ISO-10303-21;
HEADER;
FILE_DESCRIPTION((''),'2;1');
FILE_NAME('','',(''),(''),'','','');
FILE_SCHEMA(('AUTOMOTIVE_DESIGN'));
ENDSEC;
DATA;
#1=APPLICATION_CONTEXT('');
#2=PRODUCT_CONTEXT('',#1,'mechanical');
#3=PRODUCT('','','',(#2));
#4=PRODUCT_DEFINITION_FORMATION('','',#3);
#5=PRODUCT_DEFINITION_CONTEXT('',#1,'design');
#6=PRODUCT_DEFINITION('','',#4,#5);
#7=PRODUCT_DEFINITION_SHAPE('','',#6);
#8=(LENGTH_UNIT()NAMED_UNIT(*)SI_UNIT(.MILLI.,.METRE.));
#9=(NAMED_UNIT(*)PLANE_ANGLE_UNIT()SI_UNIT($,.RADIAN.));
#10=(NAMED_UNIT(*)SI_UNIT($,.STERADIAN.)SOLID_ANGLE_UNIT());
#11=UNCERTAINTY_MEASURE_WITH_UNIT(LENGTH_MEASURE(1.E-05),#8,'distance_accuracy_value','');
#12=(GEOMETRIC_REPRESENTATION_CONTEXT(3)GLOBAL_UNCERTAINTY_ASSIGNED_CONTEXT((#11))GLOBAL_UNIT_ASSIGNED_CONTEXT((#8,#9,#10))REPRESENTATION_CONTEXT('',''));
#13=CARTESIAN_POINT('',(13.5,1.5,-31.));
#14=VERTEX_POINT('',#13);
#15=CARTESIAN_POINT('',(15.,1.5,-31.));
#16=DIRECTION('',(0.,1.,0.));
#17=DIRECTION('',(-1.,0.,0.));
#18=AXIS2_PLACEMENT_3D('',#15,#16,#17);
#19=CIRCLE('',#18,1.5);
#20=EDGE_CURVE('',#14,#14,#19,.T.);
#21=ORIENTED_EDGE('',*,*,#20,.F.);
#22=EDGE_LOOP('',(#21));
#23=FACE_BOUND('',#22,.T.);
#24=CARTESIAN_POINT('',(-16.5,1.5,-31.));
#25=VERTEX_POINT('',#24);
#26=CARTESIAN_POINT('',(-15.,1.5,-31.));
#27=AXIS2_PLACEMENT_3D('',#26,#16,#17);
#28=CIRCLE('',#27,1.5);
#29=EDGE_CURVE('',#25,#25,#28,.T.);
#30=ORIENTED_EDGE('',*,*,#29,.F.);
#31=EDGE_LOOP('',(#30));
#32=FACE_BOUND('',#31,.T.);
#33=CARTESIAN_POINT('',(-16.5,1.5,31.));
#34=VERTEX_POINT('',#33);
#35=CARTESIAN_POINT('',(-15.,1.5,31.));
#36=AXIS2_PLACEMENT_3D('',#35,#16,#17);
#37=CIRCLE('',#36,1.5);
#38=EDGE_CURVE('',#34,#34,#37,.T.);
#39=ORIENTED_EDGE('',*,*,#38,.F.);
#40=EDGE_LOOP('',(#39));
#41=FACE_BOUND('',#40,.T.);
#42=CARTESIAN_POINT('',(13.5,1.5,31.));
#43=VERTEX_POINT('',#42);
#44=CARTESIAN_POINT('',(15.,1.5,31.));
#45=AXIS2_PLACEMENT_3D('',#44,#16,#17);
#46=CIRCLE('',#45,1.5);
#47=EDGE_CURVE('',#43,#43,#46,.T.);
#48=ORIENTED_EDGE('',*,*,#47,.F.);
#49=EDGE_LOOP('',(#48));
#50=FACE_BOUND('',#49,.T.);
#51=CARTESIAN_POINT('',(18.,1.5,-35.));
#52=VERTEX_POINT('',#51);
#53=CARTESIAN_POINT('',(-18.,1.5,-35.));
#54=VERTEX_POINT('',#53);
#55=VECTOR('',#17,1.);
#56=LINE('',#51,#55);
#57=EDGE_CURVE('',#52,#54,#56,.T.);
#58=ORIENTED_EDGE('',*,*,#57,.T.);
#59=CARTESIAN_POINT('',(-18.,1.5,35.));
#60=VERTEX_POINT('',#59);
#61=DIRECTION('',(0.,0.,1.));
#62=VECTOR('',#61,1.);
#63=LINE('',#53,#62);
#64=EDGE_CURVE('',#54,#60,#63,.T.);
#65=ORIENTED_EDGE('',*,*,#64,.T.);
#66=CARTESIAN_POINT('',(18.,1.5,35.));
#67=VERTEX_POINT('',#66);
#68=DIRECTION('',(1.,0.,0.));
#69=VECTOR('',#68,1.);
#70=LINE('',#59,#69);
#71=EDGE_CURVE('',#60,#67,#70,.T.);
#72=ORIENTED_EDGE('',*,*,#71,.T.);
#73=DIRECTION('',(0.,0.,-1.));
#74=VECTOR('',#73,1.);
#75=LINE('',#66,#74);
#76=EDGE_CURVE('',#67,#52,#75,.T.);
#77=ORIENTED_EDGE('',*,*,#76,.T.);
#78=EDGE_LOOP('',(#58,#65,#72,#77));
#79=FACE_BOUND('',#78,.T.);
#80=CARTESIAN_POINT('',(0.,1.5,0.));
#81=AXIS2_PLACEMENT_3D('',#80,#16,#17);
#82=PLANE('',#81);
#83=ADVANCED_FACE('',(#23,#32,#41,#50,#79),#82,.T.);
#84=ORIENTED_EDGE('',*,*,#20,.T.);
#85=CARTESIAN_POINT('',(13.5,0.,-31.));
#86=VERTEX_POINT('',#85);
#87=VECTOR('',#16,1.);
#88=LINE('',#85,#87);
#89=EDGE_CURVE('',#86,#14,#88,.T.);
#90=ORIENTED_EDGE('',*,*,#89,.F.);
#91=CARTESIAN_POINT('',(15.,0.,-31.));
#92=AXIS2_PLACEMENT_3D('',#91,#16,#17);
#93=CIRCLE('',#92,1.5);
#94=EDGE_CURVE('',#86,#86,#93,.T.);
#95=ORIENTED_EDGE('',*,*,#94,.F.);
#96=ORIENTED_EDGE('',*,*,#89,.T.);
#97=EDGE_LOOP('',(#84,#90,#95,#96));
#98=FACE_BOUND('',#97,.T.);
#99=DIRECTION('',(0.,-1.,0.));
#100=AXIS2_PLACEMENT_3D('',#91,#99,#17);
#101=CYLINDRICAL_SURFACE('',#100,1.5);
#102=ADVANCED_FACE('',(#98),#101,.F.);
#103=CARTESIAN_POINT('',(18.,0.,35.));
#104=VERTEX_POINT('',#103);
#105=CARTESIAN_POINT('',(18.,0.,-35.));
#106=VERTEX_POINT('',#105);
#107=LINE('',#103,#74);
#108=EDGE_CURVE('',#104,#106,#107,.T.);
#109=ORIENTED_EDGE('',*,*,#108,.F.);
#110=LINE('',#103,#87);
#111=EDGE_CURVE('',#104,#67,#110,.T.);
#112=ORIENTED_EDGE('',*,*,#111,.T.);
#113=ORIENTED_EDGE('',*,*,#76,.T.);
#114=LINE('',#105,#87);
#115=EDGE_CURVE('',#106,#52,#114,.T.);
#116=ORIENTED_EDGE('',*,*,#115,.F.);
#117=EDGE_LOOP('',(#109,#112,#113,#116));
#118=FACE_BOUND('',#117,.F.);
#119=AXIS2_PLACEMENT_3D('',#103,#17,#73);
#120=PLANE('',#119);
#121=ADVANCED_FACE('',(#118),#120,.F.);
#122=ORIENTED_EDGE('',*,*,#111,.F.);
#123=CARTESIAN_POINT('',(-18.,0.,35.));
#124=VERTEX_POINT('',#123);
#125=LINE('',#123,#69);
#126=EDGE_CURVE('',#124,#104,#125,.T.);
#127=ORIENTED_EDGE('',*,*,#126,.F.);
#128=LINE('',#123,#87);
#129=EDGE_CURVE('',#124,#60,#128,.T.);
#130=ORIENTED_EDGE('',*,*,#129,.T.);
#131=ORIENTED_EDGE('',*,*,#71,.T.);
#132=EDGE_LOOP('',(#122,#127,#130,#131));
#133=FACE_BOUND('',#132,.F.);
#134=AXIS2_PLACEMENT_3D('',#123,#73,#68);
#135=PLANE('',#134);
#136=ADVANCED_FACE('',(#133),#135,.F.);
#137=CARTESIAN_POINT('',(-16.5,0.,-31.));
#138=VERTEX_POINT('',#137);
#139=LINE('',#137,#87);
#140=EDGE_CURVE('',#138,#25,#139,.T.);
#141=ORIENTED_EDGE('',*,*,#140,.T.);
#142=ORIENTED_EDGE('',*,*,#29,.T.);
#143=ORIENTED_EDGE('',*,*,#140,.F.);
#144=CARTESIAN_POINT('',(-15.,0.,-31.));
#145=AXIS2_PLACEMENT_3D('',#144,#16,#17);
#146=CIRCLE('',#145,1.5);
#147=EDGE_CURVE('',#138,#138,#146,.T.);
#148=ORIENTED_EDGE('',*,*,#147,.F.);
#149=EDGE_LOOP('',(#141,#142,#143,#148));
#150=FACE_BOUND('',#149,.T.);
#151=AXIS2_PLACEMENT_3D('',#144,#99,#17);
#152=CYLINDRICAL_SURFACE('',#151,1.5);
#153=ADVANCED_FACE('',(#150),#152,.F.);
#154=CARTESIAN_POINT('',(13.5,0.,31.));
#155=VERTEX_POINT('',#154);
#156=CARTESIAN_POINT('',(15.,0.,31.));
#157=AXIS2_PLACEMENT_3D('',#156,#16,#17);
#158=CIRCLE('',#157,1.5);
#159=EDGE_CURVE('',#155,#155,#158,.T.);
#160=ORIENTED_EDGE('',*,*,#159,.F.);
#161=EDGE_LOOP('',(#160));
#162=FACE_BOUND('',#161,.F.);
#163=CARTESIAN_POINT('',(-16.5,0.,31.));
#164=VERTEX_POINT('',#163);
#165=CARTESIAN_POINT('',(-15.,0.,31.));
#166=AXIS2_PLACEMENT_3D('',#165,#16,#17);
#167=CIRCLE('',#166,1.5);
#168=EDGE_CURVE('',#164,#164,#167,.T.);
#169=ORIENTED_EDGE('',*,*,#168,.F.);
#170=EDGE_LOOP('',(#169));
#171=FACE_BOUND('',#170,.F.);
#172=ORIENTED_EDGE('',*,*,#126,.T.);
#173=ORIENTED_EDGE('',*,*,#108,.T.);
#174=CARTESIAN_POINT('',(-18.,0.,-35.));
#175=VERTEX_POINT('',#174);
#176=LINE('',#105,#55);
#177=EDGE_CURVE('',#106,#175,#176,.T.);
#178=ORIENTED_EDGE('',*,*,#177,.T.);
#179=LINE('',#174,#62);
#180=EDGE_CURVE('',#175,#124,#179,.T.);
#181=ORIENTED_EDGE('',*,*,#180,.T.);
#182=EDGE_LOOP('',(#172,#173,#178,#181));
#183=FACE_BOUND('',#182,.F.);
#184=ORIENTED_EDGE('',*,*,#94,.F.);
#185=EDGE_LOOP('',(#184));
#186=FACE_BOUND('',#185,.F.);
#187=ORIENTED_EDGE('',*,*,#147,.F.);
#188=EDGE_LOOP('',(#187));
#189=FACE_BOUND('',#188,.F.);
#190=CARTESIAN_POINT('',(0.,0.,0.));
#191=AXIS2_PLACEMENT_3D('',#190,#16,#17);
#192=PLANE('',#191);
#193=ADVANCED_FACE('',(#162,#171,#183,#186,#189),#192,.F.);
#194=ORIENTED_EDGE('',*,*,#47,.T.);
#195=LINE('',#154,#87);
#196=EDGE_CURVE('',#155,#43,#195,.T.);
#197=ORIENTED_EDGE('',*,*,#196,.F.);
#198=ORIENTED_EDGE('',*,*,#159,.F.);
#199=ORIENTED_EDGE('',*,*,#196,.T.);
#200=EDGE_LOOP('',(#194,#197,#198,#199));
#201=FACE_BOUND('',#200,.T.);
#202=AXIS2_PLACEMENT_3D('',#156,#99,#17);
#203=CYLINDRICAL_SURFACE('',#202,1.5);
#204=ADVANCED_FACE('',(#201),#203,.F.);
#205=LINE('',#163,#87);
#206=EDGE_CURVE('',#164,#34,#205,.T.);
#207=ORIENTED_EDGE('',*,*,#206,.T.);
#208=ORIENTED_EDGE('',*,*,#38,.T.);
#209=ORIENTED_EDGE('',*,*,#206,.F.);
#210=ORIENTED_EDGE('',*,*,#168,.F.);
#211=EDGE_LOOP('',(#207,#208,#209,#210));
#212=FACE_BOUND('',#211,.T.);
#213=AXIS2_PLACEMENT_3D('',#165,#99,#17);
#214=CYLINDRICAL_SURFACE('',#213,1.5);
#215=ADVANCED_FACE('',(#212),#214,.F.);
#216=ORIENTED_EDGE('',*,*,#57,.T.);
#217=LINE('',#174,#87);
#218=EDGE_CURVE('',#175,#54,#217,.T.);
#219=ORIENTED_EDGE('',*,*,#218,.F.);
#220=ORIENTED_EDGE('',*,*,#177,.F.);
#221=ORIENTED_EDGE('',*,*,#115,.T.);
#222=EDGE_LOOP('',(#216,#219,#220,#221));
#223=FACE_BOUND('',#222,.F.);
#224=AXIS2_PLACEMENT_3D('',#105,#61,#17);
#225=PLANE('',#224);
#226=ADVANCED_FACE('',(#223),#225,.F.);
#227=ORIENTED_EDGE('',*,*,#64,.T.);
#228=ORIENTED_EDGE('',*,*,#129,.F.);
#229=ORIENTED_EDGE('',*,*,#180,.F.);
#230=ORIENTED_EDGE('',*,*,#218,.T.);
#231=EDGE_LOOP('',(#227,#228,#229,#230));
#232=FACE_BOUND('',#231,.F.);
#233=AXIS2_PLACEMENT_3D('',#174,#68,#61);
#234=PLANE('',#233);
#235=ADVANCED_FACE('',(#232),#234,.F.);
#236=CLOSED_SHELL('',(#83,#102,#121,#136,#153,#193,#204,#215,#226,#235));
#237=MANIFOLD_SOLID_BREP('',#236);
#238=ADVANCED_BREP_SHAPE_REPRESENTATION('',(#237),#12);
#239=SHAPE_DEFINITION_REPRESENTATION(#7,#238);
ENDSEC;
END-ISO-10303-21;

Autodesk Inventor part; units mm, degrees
ref_plane "YZ Plane" through (0, 0, 0) normal (1, 0, 0) x (0, 1, 0)
ref_plane "XZ Plane" through (0, 0, 0) normal (0, 1, 0) x (-1, 0, 0)
ref_plane "XY Plane" through (0, 0, 0) normal (0, 0, 1) x (1, 0, 0)
sketch "Эскиз1" plane through (0, 0, 0) normal (0, 1, 0) x (-1, 0, 0)
  line L0 (-18, -35) -> (18, -35)
  line L1 (18, -35) -> (18, 35)
  line L2 (18, 35) -> (-18, 35)
  line L3 (-18, 35) -> (-18, -35)
  line L4 (-18, -35) -> (18, 35) construction
  line L5 (18, -35) -> (-18, 35) construction
  line L6 (-15, -31) -> (15, -31) construction
  line L7 (15, -31) -> (15, 31) construction
  line L8 (15, 31) -> (-15, 31) construction
  line L9 (-15, 31) -> (-15, -31) construction
  line L10 (-15, -31) -> (15, 31) construction
  line L11 (15, -31) -> (-15, 31) construction
  circle A0 centre (15, 31) radius 1.5
  circle A1 centre (15, -31) radius 1.5
  circle A2 centre (-15, -31) radius 1.5
  circle A3 centre (-15, 31) radius 1.5
  point P0 (0, 0)
  dimension "d0" = 36
  dimension "d1" = 70
  dimension "d2" = 62
  dimension "d3" = 30
  dimension "d4" = 3
  dimension "d5" = 3
  dimension "d6" = 3
  dimension "d7" = 3
extrude "Выдавливание1" add sketch "Эскиз1" along normal blind 1.5
properties part number "DC-DC"
